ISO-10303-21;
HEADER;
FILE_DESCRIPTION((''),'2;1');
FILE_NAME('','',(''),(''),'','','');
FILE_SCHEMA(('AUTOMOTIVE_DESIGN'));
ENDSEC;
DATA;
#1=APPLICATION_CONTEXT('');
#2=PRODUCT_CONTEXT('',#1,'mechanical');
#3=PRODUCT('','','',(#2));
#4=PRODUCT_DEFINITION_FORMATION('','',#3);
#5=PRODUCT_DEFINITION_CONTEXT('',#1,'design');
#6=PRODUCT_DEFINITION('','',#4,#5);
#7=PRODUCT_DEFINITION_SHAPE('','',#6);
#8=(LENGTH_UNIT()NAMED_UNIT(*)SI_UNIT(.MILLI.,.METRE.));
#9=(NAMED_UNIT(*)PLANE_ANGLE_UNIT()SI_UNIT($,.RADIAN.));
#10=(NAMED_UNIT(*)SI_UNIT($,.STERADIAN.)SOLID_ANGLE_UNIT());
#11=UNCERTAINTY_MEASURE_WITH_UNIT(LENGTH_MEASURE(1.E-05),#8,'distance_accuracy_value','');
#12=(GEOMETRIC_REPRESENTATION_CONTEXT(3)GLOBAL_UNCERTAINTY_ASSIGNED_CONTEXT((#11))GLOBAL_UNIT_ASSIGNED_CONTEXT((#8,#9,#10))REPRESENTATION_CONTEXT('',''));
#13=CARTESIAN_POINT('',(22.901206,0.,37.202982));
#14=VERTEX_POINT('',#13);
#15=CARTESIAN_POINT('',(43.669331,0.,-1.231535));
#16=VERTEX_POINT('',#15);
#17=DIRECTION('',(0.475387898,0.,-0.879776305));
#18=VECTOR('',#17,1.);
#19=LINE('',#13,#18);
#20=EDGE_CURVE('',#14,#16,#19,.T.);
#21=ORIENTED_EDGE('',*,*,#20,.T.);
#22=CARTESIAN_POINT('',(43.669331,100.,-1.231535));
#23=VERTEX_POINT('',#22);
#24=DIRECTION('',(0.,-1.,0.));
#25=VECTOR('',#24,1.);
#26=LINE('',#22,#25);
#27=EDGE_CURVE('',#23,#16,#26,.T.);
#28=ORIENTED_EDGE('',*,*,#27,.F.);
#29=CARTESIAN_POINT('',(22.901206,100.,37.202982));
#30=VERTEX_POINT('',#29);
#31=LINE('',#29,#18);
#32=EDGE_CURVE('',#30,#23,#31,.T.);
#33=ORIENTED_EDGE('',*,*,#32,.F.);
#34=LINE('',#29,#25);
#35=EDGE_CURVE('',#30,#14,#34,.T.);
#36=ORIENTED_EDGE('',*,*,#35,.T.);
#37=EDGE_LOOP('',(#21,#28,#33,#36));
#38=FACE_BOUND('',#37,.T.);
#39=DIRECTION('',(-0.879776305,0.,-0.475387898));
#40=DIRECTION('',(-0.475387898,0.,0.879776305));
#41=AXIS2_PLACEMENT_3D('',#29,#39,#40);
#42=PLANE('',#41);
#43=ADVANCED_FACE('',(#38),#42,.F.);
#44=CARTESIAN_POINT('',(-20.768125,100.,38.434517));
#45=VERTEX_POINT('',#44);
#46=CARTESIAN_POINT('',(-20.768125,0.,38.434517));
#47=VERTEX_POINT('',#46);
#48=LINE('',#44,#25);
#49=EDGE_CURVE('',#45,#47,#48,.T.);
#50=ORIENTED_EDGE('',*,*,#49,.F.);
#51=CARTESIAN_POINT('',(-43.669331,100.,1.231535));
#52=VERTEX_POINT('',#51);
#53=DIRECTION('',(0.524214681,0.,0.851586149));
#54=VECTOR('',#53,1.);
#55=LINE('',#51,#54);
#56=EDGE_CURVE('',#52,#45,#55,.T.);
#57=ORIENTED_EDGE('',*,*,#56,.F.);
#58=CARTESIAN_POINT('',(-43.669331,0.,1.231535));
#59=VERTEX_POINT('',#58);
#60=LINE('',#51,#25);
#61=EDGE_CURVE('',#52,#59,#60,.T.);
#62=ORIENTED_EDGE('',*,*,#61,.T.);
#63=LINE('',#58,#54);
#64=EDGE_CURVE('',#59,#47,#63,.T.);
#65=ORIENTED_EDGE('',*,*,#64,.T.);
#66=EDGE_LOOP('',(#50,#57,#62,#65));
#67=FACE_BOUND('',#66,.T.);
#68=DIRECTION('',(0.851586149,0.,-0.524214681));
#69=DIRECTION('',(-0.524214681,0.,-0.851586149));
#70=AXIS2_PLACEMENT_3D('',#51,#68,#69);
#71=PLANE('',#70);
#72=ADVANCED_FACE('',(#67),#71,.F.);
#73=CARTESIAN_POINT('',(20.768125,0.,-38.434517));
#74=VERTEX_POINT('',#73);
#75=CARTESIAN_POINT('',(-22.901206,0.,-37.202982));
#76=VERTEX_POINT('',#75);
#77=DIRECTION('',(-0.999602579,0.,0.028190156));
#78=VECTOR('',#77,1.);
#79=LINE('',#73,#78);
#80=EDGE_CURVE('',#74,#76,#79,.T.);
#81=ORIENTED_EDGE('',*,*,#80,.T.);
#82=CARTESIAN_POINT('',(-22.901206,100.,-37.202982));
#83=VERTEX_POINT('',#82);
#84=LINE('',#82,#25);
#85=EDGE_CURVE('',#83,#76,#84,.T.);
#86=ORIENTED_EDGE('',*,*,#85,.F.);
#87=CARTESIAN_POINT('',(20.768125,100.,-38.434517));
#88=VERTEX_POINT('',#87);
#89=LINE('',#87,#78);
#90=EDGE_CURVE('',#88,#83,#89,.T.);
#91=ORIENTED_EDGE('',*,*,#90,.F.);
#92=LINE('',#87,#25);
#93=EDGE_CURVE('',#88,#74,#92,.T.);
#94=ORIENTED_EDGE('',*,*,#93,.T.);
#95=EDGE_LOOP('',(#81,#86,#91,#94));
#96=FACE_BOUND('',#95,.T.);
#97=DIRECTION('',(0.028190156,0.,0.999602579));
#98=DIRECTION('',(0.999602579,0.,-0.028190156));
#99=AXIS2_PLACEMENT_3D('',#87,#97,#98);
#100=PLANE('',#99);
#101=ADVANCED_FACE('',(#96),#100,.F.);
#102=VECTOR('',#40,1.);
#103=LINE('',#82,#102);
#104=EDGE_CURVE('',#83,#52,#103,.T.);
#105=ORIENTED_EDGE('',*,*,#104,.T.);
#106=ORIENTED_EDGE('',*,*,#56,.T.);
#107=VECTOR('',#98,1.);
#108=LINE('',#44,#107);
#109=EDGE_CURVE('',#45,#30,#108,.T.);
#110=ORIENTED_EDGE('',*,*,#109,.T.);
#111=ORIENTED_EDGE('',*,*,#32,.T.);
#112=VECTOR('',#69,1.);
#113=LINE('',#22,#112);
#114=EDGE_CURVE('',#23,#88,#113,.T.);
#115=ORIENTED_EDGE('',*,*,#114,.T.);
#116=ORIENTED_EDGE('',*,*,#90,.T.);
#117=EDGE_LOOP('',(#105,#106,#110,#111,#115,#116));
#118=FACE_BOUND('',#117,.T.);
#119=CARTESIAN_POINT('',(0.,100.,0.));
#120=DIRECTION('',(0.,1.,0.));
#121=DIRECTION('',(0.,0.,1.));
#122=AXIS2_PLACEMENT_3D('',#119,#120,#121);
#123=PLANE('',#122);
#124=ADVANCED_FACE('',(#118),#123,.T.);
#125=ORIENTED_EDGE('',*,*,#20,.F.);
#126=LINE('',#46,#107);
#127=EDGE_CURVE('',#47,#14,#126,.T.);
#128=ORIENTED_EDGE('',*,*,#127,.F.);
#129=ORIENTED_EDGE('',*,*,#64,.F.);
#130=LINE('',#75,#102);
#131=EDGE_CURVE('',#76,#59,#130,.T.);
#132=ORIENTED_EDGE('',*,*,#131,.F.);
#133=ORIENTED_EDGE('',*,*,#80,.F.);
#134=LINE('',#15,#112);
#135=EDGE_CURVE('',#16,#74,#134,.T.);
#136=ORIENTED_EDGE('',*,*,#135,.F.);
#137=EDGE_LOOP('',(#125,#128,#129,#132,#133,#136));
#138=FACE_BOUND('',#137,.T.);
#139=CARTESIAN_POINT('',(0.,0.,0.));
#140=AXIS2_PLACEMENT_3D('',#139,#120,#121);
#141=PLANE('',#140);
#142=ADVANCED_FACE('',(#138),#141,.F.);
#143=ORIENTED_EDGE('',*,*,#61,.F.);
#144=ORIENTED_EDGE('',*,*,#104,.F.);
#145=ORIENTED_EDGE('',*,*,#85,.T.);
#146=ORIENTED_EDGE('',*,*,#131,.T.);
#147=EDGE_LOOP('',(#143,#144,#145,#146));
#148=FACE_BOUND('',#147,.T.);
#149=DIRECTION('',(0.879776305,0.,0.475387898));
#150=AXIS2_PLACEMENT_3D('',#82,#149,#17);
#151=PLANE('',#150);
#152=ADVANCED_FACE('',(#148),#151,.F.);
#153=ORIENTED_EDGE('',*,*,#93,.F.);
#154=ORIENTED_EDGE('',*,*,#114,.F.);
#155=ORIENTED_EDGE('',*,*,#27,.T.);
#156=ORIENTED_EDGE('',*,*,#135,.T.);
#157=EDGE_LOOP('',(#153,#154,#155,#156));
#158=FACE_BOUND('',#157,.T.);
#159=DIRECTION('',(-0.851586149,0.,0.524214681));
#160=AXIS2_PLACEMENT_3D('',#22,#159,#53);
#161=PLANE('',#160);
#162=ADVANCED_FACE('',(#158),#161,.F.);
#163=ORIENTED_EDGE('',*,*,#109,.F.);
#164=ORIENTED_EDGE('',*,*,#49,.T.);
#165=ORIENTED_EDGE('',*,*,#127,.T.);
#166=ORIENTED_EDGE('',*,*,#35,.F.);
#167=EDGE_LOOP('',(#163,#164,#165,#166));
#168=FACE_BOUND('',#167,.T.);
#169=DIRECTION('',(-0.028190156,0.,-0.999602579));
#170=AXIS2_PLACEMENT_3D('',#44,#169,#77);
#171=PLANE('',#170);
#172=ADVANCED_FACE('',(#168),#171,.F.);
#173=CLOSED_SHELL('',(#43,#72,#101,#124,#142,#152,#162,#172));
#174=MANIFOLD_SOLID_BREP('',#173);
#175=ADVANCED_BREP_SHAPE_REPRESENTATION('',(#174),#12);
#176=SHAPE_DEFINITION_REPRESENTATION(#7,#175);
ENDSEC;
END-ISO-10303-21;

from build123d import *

# Parameters (mm, degrees)
EXTRUDE_1_DEPTH = 100


with BuildPart() as part:
    # 草图1 → 凸台-拉伸1 (new body)
    with BuildSketch(Plane(origin=(0, 0, 0), x_dir=(1, 0, 0), z_dir=(0, 1, 0))):
        Polygon((20.768125051, 38.43451714), (-22.9012057, 37.202982453), (-43.669330751, -1.231534687), (-20.768125051, -38.43451714), (22.9012057, -37.202982453), (43.669330751, 1.231534687), align=None)
    extrude(amount=EXTRUDE_1_DEPTH)


solid = part.part
